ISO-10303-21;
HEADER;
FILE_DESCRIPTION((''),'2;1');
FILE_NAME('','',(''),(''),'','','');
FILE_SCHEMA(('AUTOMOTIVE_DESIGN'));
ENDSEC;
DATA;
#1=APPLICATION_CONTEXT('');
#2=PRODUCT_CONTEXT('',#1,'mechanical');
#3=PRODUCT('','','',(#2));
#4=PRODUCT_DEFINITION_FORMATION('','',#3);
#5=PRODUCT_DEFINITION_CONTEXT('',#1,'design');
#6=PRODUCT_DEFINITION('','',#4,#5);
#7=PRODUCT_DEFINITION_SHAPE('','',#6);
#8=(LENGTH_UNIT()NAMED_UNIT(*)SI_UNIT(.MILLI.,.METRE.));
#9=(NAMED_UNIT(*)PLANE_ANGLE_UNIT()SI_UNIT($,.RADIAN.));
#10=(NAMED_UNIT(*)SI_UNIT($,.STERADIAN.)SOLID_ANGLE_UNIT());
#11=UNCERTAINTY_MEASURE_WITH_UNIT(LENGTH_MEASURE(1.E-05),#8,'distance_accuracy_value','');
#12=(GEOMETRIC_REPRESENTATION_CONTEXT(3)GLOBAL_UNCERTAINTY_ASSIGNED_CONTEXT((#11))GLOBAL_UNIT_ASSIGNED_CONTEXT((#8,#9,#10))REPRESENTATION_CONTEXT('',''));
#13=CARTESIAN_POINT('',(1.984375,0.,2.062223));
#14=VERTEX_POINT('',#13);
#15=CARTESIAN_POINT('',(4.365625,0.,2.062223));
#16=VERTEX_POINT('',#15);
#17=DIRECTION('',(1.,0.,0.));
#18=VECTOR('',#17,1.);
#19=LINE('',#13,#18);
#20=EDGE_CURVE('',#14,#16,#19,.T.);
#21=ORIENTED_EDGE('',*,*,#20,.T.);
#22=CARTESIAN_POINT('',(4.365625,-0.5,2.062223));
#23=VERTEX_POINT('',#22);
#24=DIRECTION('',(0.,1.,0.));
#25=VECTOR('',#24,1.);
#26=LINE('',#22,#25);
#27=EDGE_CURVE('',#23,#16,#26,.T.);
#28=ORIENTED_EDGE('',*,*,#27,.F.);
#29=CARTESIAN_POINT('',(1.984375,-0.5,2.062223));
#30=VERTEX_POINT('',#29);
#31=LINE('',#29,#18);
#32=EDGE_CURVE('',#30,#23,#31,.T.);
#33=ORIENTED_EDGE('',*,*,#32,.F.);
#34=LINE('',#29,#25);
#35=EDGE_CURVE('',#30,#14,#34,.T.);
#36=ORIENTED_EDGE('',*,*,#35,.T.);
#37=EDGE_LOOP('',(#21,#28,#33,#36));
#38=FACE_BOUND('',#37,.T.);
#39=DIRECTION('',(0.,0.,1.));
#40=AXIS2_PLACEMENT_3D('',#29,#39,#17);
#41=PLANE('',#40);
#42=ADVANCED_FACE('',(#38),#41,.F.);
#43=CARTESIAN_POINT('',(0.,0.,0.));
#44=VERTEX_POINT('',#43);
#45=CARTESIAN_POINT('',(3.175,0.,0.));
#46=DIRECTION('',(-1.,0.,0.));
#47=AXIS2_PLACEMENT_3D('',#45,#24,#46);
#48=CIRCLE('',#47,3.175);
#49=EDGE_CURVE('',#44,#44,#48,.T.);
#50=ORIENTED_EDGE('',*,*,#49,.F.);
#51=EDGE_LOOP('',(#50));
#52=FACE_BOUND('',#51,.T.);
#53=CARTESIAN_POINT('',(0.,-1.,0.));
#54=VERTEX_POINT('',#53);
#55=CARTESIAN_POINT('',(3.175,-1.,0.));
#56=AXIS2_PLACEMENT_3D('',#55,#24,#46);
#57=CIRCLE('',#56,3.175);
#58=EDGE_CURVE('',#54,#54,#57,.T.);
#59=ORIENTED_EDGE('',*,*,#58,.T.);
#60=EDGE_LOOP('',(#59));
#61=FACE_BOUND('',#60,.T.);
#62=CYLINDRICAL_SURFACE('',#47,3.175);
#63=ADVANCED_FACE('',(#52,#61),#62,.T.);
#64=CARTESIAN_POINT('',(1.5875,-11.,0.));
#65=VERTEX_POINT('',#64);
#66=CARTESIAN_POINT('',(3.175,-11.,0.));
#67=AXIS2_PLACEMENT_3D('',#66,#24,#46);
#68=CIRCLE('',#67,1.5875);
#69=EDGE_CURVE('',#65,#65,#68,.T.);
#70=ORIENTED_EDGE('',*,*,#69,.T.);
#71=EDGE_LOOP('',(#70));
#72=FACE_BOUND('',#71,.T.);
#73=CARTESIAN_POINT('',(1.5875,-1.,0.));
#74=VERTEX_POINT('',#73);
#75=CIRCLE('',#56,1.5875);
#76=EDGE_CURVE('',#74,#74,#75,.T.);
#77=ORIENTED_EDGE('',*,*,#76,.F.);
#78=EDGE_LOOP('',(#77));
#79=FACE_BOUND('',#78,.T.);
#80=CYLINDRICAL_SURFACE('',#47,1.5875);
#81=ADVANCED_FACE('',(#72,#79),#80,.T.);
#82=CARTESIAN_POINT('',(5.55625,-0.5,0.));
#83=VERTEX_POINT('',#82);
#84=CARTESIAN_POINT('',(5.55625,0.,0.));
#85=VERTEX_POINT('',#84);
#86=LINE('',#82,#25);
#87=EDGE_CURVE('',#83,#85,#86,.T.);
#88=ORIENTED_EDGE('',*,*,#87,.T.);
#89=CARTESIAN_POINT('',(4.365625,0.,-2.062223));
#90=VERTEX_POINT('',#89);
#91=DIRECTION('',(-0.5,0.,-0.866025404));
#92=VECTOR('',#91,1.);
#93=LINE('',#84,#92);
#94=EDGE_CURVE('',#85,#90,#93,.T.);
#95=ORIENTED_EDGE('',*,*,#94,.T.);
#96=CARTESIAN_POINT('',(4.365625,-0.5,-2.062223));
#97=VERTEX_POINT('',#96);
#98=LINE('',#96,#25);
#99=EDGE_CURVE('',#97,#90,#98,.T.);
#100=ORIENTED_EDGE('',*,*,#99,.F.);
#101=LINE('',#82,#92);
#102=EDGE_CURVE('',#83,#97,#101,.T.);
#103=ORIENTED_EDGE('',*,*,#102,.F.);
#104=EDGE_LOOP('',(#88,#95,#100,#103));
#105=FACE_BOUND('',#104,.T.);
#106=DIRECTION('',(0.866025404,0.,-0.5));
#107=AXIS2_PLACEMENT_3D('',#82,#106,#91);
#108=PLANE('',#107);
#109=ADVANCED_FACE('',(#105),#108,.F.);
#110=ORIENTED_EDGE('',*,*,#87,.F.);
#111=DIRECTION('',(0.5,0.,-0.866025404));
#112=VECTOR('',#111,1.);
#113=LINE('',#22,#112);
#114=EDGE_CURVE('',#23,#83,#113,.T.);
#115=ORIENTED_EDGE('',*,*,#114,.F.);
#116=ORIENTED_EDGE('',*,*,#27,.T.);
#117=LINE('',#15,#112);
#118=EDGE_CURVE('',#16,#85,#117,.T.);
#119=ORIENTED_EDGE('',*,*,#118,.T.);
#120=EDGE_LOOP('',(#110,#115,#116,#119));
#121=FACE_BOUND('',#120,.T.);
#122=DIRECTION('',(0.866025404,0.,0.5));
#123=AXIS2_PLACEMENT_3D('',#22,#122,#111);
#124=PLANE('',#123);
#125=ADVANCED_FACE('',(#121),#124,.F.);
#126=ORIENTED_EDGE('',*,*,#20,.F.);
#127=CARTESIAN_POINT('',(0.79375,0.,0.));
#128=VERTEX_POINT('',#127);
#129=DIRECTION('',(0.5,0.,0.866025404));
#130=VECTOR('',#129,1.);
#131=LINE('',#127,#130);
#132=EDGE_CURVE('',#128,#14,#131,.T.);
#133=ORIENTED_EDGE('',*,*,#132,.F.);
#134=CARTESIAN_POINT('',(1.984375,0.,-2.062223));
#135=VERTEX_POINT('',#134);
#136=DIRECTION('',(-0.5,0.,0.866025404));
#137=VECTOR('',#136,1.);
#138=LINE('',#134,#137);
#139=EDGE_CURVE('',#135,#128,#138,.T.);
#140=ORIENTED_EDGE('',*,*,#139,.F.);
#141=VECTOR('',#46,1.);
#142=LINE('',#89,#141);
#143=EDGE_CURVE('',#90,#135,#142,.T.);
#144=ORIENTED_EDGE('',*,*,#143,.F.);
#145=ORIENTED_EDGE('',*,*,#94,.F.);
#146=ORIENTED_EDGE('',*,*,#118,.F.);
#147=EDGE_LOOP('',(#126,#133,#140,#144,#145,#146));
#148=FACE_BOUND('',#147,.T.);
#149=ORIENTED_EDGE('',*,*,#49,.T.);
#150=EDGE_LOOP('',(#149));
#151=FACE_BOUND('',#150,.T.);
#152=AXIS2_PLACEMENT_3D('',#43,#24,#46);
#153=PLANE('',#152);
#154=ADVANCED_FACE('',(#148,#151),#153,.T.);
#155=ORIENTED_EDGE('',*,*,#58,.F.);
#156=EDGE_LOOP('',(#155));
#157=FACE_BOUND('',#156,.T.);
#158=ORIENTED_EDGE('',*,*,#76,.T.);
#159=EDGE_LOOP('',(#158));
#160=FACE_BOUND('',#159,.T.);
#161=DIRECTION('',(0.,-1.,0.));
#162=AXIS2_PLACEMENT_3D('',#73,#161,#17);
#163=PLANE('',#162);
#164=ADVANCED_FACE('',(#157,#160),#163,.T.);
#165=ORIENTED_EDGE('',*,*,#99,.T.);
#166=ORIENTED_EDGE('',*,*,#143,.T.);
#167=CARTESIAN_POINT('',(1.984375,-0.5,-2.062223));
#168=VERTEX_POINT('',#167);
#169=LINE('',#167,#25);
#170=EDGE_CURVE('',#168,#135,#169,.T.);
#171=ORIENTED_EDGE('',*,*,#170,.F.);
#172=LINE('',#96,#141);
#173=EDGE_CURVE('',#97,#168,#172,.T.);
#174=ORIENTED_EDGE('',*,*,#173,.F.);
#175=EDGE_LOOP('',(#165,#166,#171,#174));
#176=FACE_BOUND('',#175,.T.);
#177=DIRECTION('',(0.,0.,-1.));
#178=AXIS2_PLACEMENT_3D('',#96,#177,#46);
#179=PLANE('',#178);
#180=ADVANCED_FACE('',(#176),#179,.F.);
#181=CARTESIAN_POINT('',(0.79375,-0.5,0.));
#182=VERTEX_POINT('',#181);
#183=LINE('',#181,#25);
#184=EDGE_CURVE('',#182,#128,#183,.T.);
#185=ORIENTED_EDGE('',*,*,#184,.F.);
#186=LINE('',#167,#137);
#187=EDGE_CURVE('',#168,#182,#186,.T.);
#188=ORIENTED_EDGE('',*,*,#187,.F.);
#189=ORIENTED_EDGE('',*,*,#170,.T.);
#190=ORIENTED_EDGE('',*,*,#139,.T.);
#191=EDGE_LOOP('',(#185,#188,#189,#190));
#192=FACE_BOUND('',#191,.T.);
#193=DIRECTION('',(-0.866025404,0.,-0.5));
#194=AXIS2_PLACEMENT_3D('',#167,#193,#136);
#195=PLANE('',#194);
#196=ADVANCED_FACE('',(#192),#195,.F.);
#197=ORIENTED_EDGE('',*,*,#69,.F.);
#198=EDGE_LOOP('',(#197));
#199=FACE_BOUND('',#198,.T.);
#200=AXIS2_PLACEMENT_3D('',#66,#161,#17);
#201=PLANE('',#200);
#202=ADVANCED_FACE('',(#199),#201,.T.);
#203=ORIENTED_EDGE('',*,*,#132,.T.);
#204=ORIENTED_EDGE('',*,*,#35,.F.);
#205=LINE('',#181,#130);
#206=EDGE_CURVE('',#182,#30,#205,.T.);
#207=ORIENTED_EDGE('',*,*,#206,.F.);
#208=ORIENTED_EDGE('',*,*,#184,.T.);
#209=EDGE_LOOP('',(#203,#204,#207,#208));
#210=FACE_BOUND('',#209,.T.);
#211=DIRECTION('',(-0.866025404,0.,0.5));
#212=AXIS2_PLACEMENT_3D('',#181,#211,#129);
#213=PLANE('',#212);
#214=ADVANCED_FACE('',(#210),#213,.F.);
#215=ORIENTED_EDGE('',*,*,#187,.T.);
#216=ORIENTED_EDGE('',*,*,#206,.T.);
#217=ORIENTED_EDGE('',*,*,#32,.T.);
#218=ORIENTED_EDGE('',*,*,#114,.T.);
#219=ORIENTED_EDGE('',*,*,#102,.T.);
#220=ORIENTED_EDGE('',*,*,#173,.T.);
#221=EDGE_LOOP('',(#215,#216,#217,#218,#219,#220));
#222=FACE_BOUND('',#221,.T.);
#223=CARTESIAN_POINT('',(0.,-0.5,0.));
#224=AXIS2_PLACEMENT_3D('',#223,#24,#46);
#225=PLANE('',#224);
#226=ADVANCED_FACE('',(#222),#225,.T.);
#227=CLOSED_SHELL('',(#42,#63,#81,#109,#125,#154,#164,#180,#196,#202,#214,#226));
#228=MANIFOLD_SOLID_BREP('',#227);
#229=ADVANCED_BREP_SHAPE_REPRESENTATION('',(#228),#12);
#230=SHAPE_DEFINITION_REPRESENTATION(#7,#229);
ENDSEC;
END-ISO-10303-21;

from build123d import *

# Parameters (mm, degrees)
CUT_EXTRUDE1_DEPTH = 0.5


with BuildPart() as part:
    # Sketch1 → Revolve1 (revolve)
    with BuildSketch(Plane.XY):
        Polygon((0, 0), (3.175, 0), (3.175, -11), (1.5875, -11), (1.5875, -1), (0, -1), align=None)
    revolve(axis=Axis((3.175, 0, 0), (0, -1, 0)))

    # Sketch2 → Cut-Extrude1 (cut)
    with BuildSketch(Plane(origin=(0, 0, 0), x_dir=(1, 0, 0), z_dir=(0, 1, 0))):
        Polygon((5.55625, 0), (4.365625, 2.062222993), (1.984375, 2.062222993), (0.79375, 0), (1.984375, -2.062222993), (4.365625, -2.062222993), align=None)
    extrude(amount=-CUT_EXTRUDE1_DEPTH, mode=Mode.SUBTRACT)


solid = part.part
